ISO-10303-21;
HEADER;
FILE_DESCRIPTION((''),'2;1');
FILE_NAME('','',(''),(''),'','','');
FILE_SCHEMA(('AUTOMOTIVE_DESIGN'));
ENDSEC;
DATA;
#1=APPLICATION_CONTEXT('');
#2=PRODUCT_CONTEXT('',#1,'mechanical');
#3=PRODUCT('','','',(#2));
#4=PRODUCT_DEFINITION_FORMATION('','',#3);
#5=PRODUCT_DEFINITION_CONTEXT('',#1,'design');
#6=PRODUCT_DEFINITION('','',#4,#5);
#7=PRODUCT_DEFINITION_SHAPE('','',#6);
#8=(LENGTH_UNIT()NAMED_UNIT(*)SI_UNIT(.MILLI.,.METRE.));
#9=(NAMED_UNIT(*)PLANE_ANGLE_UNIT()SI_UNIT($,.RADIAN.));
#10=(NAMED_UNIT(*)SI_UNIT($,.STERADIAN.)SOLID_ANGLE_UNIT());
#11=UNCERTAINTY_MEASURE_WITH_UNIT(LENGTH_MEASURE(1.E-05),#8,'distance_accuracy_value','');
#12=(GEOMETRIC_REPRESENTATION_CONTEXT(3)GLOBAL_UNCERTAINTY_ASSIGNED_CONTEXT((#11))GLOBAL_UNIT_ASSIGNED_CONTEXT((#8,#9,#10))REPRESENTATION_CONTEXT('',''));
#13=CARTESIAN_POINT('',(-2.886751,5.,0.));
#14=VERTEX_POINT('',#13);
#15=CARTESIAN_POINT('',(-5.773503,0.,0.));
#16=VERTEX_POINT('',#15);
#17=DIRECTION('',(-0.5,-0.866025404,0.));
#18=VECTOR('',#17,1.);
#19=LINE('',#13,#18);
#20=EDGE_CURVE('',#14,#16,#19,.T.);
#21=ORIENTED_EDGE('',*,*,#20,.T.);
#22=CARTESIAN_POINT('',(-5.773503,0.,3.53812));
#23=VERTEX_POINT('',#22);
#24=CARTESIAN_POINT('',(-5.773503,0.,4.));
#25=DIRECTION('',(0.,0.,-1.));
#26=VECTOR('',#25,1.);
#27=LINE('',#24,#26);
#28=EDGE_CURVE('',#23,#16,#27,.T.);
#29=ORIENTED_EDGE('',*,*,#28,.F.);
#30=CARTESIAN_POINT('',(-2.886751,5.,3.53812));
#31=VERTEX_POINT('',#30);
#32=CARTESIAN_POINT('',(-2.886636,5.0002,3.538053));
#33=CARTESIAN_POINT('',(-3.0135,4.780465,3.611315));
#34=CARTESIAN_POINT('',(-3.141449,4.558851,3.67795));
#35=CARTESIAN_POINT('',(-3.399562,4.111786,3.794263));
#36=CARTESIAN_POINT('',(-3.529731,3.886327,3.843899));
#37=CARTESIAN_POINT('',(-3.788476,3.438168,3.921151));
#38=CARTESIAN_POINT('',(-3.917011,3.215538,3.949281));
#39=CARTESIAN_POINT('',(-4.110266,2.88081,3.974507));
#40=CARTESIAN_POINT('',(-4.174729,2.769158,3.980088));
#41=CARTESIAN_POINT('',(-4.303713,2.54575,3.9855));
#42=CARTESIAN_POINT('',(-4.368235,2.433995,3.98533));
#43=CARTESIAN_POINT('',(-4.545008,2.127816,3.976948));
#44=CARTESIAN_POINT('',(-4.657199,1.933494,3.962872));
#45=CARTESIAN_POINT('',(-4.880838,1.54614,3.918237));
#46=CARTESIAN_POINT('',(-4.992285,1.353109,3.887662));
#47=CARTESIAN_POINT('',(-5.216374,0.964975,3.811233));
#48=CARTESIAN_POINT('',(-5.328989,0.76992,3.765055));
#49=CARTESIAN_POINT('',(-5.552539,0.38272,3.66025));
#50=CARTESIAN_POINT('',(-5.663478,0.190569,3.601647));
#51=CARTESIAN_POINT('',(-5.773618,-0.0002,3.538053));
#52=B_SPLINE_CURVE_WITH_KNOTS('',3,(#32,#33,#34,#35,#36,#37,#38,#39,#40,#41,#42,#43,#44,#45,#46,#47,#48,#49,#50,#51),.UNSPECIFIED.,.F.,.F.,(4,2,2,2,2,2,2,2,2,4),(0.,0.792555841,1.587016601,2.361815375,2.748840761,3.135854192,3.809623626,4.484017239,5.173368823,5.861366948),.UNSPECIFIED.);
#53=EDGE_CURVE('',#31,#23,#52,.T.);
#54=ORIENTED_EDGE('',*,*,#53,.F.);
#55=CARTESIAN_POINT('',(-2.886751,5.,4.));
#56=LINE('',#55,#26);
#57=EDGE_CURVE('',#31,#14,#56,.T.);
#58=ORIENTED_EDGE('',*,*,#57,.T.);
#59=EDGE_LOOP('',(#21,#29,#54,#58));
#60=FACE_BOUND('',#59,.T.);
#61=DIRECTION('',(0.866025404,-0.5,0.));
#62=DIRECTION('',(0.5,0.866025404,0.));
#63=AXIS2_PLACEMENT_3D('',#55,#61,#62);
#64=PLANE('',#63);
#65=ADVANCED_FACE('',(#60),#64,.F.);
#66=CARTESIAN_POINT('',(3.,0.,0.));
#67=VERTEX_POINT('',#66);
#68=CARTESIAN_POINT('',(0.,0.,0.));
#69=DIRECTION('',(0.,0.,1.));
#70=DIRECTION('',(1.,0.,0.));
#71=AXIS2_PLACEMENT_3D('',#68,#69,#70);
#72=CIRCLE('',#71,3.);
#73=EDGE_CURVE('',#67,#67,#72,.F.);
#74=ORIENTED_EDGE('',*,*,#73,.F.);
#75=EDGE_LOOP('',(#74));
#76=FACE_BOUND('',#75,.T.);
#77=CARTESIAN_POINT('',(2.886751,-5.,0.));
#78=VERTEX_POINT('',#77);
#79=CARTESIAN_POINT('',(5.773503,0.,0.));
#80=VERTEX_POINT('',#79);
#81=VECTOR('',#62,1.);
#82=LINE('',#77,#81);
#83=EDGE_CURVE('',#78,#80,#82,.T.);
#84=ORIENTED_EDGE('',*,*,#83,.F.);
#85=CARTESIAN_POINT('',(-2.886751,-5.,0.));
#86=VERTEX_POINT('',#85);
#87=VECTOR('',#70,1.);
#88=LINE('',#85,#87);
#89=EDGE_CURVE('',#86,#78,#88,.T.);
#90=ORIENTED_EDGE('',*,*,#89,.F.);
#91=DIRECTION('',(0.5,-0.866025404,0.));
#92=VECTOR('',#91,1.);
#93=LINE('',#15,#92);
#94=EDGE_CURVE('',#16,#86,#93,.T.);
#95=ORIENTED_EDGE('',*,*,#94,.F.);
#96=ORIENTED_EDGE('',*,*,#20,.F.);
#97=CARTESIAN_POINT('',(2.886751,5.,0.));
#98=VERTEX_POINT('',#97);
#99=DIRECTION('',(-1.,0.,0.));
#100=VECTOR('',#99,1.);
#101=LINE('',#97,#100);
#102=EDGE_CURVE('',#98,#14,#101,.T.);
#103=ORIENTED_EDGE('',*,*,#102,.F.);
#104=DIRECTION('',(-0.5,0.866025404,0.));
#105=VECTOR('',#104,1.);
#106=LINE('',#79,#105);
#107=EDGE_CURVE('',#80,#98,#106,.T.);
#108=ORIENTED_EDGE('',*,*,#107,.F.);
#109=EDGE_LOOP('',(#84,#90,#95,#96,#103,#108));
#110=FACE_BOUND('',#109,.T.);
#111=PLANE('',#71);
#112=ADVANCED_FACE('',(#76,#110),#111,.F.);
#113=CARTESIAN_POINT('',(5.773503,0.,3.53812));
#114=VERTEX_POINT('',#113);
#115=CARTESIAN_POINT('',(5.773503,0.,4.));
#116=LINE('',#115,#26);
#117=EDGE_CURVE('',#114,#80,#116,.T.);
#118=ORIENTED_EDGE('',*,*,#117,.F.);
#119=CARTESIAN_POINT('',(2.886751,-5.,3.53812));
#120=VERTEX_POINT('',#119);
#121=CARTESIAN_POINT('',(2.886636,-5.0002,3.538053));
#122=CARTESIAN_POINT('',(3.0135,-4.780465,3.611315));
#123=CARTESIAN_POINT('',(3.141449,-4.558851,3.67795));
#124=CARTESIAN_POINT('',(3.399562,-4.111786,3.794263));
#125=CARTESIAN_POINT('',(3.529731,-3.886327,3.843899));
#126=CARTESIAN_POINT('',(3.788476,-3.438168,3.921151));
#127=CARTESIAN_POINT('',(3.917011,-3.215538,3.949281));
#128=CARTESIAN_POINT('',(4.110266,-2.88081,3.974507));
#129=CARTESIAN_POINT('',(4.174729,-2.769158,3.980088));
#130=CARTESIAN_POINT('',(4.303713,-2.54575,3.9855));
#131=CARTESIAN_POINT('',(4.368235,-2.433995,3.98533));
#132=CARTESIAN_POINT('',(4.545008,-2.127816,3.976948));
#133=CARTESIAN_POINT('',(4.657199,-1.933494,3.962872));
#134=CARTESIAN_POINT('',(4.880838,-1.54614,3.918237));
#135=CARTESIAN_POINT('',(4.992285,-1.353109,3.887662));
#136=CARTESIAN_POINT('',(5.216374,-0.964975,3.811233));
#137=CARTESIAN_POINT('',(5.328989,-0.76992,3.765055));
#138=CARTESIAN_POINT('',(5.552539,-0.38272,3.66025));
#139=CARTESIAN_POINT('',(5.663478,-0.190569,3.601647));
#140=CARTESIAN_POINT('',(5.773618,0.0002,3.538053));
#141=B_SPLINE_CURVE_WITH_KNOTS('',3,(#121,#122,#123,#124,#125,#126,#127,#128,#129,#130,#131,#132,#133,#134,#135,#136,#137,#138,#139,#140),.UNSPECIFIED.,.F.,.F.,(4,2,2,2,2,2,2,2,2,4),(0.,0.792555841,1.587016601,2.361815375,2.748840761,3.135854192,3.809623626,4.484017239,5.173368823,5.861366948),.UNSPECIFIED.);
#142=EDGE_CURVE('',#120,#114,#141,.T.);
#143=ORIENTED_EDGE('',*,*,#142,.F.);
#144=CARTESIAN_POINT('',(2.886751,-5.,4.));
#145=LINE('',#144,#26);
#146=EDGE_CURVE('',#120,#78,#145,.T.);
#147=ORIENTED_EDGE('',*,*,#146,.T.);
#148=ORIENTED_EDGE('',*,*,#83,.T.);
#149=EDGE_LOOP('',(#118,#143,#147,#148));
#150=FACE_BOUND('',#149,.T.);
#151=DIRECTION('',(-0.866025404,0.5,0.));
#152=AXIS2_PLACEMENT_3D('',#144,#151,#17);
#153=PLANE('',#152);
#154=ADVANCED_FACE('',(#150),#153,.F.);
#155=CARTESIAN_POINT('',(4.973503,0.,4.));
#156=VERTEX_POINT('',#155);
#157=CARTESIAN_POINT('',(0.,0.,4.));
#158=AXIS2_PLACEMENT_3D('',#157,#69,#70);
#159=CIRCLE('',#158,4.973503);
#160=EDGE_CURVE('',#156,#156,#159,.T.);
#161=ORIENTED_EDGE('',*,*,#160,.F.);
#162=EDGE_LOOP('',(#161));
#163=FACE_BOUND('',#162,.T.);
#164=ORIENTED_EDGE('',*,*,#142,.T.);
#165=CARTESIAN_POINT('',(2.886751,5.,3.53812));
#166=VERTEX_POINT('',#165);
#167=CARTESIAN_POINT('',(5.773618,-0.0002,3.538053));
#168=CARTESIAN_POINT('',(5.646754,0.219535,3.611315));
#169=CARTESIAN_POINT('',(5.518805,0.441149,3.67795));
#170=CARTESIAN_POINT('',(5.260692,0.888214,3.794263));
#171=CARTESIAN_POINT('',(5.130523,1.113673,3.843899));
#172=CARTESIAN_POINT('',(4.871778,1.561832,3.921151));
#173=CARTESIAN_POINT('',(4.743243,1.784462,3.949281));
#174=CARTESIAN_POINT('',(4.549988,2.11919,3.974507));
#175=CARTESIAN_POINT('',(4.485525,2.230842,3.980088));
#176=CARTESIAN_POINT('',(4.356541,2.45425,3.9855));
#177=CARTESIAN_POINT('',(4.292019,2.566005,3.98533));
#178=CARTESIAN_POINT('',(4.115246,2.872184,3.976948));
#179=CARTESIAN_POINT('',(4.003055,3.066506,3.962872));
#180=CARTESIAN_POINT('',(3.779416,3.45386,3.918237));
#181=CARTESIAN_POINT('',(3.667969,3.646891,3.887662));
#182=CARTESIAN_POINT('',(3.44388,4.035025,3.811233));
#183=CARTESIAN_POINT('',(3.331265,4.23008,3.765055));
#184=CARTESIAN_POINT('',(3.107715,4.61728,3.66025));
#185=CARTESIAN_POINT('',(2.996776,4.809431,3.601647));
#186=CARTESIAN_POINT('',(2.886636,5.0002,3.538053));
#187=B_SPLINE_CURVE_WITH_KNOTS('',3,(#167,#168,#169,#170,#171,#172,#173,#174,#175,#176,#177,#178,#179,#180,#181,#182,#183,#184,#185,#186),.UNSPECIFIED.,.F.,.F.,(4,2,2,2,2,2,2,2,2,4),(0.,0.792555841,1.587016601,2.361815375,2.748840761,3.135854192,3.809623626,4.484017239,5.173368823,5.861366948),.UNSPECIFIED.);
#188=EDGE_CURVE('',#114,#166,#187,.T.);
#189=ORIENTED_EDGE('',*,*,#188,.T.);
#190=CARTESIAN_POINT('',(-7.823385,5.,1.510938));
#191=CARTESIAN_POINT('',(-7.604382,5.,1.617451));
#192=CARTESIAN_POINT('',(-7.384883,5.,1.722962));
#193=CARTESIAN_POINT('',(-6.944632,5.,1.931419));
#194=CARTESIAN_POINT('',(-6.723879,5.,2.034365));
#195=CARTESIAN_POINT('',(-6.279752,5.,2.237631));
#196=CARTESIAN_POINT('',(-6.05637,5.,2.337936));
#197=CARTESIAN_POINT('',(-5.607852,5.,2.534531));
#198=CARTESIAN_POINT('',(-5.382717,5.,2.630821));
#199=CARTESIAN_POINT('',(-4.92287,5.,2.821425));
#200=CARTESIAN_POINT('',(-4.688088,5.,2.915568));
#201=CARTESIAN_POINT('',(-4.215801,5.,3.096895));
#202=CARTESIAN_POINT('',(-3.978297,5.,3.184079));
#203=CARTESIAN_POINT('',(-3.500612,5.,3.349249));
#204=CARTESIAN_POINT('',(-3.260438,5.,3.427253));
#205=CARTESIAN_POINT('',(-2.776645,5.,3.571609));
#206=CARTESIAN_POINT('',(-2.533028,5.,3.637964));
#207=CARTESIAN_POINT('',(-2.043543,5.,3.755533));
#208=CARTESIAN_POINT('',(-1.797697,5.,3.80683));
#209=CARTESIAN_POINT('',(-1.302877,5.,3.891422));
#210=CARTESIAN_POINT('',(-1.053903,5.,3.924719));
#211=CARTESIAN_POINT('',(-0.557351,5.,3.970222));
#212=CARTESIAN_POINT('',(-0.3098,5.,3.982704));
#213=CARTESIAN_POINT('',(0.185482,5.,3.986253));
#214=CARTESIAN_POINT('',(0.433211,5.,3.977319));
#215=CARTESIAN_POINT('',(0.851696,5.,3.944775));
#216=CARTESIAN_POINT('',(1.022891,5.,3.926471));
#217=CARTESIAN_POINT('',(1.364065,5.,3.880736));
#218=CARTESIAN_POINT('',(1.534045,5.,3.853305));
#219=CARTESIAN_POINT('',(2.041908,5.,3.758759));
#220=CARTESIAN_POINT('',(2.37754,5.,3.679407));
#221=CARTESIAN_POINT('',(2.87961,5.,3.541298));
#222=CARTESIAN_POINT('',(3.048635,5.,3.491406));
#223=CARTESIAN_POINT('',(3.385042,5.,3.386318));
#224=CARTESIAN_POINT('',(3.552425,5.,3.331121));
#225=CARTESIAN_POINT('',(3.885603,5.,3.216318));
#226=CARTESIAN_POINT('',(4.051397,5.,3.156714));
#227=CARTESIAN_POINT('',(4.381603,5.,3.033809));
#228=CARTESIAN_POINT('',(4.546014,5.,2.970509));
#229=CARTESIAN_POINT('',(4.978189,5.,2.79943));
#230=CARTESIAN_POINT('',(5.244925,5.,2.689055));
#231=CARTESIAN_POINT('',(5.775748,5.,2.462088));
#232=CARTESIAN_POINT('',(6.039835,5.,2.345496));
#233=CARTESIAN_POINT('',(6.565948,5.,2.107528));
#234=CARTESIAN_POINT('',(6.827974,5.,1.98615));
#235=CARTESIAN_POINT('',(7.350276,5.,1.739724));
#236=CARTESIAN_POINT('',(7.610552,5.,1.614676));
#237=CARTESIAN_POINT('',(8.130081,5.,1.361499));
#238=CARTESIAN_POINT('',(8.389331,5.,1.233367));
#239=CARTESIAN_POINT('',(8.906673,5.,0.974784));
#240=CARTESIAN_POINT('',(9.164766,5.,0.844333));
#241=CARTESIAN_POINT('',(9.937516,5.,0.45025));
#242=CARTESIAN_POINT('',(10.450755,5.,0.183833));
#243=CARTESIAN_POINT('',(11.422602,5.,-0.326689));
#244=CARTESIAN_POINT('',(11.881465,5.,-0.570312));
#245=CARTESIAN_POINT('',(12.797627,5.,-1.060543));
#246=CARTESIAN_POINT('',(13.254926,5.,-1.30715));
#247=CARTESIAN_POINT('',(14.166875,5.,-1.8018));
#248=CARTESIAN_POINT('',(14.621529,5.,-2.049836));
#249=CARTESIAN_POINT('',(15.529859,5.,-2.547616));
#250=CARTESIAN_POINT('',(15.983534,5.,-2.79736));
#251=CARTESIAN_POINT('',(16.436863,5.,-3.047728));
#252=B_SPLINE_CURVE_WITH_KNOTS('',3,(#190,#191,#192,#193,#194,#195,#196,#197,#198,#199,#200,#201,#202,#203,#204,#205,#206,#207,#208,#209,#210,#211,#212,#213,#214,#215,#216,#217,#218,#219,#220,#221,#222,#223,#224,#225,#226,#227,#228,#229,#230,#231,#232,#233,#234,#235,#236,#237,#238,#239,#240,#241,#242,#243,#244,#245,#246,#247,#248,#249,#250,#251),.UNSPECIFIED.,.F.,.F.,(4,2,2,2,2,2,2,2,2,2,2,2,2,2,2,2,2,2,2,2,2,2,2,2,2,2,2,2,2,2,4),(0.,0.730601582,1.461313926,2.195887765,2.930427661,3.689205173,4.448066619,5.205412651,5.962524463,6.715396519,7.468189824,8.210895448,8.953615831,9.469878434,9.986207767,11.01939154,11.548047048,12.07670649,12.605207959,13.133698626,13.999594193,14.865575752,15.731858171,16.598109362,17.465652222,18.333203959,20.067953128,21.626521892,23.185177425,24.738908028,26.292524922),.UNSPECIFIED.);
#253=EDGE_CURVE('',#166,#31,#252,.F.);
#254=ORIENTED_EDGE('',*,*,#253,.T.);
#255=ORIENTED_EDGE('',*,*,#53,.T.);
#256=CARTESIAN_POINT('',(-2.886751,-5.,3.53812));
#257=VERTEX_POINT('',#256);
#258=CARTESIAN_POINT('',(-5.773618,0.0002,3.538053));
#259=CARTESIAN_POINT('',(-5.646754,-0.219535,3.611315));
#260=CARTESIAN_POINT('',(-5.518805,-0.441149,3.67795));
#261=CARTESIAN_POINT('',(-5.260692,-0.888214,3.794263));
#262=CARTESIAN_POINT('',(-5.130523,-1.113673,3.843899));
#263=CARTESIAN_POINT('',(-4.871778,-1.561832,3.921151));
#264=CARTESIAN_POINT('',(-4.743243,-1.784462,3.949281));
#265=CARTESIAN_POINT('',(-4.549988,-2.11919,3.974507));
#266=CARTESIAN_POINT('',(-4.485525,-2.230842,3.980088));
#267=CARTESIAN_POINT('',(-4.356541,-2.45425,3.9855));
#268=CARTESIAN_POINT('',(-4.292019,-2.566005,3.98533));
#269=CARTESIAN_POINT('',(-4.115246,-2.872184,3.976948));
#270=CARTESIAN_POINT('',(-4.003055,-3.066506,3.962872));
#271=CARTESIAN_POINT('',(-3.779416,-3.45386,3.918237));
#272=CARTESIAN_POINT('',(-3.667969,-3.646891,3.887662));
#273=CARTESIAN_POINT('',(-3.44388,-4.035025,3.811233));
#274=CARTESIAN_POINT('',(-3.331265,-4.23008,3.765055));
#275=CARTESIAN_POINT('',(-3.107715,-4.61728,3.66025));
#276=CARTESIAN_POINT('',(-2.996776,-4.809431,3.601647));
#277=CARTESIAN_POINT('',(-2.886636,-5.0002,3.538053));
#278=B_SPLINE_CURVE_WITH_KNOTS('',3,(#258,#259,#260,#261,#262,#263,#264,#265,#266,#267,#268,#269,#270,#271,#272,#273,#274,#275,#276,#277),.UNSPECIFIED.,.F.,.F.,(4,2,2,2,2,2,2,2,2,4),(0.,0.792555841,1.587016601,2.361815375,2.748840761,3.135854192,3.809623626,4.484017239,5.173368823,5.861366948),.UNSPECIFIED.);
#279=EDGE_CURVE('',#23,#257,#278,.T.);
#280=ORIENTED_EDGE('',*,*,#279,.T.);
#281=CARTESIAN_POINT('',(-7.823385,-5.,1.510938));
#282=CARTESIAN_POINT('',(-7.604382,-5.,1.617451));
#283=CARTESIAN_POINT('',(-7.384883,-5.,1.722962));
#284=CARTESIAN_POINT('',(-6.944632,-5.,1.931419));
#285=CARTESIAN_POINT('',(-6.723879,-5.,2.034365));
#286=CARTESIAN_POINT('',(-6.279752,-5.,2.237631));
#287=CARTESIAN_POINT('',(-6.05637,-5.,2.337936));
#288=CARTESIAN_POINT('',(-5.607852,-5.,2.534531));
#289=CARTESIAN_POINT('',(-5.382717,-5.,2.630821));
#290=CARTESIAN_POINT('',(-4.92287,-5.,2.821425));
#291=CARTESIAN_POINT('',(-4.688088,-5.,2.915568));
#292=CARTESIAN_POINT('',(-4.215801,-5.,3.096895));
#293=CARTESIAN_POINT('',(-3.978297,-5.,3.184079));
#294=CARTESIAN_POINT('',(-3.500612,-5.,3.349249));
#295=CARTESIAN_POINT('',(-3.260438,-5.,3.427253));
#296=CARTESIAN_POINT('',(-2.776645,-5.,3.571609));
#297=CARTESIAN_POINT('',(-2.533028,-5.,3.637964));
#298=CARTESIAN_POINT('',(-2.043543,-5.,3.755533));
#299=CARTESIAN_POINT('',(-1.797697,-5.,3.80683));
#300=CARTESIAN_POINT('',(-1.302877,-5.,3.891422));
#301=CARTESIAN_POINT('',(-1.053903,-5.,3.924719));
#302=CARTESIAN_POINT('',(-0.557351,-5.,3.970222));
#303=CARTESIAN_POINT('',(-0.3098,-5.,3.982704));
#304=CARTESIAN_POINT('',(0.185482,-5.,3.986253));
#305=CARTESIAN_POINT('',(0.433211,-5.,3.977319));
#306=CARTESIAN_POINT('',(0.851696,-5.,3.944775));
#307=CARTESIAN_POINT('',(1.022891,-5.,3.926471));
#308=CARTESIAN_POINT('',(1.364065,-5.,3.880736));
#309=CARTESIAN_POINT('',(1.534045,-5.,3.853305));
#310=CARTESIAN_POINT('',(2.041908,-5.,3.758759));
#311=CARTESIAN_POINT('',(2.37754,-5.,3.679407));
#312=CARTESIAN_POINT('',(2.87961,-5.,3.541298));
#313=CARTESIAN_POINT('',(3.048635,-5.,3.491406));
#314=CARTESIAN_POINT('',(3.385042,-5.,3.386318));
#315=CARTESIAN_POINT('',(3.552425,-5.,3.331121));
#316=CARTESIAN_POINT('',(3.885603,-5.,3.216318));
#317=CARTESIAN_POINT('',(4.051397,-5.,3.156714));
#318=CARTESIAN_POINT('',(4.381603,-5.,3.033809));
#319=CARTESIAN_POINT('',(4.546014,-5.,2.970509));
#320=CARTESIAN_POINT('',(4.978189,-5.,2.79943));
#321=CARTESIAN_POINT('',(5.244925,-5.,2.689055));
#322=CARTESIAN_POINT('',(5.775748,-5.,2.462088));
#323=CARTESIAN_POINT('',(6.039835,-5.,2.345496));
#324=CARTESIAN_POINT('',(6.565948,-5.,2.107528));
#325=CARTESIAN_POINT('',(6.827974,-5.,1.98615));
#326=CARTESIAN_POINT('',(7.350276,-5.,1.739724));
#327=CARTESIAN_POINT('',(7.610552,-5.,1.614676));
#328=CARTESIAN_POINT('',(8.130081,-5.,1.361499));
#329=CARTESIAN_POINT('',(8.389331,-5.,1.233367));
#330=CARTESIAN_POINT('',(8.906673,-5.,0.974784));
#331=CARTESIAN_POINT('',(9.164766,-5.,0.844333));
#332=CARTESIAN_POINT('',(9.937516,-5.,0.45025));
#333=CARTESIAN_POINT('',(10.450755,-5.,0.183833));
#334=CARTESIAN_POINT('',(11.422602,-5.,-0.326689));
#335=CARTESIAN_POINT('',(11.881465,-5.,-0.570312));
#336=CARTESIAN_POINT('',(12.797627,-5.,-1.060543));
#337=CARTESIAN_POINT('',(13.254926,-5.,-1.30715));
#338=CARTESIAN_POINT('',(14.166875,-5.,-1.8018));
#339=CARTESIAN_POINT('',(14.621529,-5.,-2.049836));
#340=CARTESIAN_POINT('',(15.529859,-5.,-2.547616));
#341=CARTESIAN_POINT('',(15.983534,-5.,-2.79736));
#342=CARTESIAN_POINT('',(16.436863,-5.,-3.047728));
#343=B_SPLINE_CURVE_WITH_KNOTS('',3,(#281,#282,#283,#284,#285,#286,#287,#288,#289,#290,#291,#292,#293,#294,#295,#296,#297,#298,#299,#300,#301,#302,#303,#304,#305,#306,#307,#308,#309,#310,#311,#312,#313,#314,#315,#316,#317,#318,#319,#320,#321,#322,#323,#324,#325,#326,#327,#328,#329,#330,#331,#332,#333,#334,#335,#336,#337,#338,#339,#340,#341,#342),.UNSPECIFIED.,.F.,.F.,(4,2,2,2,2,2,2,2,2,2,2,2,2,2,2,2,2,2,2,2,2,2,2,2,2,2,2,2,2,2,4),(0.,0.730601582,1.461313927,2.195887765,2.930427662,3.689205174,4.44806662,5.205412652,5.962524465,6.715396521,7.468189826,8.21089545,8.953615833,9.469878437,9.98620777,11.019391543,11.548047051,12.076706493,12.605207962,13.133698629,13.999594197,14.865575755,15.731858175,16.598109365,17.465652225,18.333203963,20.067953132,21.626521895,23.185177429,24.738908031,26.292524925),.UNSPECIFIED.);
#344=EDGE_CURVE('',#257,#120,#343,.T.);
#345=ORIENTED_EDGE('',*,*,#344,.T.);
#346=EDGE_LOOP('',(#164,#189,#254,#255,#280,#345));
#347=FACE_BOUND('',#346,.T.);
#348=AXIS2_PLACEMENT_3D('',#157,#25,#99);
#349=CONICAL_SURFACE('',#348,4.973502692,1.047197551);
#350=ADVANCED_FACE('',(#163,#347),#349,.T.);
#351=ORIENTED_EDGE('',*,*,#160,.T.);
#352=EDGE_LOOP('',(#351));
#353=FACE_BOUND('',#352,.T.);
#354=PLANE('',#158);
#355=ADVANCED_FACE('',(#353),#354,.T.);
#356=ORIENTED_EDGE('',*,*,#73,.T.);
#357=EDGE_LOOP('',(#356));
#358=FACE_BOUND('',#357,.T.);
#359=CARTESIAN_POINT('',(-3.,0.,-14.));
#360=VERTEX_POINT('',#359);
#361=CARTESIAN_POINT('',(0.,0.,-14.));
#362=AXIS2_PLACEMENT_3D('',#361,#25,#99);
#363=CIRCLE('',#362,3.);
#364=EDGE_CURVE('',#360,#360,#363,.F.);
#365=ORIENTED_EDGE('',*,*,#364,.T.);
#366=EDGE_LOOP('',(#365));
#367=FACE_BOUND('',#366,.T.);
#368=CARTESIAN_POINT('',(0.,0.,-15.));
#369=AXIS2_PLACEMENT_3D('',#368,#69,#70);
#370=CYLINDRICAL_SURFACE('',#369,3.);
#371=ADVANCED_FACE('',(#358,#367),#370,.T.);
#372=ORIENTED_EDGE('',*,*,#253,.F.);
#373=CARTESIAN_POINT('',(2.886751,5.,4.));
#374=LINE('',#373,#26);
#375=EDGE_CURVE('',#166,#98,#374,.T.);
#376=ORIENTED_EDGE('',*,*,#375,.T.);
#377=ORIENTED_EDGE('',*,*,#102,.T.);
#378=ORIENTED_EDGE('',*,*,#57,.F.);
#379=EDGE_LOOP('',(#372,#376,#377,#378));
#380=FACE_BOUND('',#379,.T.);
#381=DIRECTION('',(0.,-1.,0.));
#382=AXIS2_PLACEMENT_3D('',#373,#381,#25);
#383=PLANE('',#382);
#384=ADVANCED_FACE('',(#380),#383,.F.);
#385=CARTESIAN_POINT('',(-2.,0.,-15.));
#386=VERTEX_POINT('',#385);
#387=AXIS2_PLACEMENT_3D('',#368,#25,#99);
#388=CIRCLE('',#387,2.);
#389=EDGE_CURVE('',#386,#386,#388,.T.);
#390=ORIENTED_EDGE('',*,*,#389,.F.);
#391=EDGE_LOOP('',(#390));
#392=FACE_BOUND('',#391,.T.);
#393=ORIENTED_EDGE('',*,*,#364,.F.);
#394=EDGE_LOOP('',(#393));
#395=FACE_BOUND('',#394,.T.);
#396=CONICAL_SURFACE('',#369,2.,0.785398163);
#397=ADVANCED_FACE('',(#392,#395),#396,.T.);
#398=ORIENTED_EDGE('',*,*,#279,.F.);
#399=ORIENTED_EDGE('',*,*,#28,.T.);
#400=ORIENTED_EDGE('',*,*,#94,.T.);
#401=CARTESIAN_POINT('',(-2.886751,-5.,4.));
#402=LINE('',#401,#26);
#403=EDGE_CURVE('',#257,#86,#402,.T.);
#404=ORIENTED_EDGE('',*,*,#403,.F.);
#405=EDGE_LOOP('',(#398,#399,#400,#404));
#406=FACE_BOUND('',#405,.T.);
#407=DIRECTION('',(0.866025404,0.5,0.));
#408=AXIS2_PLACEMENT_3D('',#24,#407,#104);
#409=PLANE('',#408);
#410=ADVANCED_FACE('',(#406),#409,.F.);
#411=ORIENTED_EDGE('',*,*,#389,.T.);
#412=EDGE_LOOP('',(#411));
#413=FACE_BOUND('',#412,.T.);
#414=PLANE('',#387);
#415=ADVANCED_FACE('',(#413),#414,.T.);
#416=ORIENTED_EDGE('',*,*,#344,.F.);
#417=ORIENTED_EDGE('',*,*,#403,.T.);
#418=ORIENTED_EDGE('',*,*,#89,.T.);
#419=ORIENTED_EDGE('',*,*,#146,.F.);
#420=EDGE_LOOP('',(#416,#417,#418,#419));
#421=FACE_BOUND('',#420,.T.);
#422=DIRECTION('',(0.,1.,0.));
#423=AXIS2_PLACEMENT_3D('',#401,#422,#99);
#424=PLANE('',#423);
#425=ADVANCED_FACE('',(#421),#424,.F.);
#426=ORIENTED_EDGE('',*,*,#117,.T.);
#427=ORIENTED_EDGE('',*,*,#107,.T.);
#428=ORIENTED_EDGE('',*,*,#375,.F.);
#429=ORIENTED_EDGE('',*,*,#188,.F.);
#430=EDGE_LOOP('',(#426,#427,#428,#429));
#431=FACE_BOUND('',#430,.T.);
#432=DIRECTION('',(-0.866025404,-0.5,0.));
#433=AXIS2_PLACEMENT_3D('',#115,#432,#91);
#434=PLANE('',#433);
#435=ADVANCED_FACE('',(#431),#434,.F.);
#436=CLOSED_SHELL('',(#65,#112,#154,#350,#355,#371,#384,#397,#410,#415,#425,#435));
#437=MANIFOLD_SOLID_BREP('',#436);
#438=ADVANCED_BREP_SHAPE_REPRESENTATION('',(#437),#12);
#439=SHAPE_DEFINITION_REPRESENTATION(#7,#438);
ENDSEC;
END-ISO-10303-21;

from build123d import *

# Parameters (mm, degrees)
EXTRUDE_1_DEPTH = 4
SKETCH_2_R      = 3
EXTRUDE_2_DEPTH = 15
CHAMFER_1_SIZE  = 1


with BuildPart() as part:
    # Эскиз1 → Бобышка-Вытянуть1 (new body)
    with BuildSketch(Plane.XY):
        Polygon((5.773502692, 0), (2.886751346, 5), (-2.886751346, 5), (-5.773502692, 0), (-2.886751346, -5), (2.886751346, -5), align=None)
    extrude(amount=EXTRUDE_1_DEPTH)

    # Эскиз2 → Бобышка-Вытянуть2 (add)
    with BuildSketch(Plane(origin=(0, 0, 0), x_dir=(-1, 0, 0), z_dir=(0, 0, -1))):
        with Locations(Location((0, 0, 0), (0, 0, 180))):
            Circle(SKETCH_2_R)
    extrude(amount=EXTRUDE_2_DEPTH)

    # Фаска1
    chamfer_1_edges = [part.edges().sort_by_distance(p)[0] for p in [
        (-3, 0, -15),
    ]]
    chamfer(chamfer_1_edges, length=CHAMFER_1_SIZE)

    # Эскиз3 → Вырез-Повернуть1 (revolve, cut)
    with BuildSketch(Plane(origin=(0, 0, 0), x_dir=(1, 0, 0), z_dir=(0, 1, 0))):
        Polygon((-10.773502692, -0.651368439), (-4.973502692, -4), (-10.773502692, -4), align=None)
    revolve(axis=Axis((0, 0, 4), (0, 0, -1)), mode=Mode.SUBTRACT)


solid = part.part
